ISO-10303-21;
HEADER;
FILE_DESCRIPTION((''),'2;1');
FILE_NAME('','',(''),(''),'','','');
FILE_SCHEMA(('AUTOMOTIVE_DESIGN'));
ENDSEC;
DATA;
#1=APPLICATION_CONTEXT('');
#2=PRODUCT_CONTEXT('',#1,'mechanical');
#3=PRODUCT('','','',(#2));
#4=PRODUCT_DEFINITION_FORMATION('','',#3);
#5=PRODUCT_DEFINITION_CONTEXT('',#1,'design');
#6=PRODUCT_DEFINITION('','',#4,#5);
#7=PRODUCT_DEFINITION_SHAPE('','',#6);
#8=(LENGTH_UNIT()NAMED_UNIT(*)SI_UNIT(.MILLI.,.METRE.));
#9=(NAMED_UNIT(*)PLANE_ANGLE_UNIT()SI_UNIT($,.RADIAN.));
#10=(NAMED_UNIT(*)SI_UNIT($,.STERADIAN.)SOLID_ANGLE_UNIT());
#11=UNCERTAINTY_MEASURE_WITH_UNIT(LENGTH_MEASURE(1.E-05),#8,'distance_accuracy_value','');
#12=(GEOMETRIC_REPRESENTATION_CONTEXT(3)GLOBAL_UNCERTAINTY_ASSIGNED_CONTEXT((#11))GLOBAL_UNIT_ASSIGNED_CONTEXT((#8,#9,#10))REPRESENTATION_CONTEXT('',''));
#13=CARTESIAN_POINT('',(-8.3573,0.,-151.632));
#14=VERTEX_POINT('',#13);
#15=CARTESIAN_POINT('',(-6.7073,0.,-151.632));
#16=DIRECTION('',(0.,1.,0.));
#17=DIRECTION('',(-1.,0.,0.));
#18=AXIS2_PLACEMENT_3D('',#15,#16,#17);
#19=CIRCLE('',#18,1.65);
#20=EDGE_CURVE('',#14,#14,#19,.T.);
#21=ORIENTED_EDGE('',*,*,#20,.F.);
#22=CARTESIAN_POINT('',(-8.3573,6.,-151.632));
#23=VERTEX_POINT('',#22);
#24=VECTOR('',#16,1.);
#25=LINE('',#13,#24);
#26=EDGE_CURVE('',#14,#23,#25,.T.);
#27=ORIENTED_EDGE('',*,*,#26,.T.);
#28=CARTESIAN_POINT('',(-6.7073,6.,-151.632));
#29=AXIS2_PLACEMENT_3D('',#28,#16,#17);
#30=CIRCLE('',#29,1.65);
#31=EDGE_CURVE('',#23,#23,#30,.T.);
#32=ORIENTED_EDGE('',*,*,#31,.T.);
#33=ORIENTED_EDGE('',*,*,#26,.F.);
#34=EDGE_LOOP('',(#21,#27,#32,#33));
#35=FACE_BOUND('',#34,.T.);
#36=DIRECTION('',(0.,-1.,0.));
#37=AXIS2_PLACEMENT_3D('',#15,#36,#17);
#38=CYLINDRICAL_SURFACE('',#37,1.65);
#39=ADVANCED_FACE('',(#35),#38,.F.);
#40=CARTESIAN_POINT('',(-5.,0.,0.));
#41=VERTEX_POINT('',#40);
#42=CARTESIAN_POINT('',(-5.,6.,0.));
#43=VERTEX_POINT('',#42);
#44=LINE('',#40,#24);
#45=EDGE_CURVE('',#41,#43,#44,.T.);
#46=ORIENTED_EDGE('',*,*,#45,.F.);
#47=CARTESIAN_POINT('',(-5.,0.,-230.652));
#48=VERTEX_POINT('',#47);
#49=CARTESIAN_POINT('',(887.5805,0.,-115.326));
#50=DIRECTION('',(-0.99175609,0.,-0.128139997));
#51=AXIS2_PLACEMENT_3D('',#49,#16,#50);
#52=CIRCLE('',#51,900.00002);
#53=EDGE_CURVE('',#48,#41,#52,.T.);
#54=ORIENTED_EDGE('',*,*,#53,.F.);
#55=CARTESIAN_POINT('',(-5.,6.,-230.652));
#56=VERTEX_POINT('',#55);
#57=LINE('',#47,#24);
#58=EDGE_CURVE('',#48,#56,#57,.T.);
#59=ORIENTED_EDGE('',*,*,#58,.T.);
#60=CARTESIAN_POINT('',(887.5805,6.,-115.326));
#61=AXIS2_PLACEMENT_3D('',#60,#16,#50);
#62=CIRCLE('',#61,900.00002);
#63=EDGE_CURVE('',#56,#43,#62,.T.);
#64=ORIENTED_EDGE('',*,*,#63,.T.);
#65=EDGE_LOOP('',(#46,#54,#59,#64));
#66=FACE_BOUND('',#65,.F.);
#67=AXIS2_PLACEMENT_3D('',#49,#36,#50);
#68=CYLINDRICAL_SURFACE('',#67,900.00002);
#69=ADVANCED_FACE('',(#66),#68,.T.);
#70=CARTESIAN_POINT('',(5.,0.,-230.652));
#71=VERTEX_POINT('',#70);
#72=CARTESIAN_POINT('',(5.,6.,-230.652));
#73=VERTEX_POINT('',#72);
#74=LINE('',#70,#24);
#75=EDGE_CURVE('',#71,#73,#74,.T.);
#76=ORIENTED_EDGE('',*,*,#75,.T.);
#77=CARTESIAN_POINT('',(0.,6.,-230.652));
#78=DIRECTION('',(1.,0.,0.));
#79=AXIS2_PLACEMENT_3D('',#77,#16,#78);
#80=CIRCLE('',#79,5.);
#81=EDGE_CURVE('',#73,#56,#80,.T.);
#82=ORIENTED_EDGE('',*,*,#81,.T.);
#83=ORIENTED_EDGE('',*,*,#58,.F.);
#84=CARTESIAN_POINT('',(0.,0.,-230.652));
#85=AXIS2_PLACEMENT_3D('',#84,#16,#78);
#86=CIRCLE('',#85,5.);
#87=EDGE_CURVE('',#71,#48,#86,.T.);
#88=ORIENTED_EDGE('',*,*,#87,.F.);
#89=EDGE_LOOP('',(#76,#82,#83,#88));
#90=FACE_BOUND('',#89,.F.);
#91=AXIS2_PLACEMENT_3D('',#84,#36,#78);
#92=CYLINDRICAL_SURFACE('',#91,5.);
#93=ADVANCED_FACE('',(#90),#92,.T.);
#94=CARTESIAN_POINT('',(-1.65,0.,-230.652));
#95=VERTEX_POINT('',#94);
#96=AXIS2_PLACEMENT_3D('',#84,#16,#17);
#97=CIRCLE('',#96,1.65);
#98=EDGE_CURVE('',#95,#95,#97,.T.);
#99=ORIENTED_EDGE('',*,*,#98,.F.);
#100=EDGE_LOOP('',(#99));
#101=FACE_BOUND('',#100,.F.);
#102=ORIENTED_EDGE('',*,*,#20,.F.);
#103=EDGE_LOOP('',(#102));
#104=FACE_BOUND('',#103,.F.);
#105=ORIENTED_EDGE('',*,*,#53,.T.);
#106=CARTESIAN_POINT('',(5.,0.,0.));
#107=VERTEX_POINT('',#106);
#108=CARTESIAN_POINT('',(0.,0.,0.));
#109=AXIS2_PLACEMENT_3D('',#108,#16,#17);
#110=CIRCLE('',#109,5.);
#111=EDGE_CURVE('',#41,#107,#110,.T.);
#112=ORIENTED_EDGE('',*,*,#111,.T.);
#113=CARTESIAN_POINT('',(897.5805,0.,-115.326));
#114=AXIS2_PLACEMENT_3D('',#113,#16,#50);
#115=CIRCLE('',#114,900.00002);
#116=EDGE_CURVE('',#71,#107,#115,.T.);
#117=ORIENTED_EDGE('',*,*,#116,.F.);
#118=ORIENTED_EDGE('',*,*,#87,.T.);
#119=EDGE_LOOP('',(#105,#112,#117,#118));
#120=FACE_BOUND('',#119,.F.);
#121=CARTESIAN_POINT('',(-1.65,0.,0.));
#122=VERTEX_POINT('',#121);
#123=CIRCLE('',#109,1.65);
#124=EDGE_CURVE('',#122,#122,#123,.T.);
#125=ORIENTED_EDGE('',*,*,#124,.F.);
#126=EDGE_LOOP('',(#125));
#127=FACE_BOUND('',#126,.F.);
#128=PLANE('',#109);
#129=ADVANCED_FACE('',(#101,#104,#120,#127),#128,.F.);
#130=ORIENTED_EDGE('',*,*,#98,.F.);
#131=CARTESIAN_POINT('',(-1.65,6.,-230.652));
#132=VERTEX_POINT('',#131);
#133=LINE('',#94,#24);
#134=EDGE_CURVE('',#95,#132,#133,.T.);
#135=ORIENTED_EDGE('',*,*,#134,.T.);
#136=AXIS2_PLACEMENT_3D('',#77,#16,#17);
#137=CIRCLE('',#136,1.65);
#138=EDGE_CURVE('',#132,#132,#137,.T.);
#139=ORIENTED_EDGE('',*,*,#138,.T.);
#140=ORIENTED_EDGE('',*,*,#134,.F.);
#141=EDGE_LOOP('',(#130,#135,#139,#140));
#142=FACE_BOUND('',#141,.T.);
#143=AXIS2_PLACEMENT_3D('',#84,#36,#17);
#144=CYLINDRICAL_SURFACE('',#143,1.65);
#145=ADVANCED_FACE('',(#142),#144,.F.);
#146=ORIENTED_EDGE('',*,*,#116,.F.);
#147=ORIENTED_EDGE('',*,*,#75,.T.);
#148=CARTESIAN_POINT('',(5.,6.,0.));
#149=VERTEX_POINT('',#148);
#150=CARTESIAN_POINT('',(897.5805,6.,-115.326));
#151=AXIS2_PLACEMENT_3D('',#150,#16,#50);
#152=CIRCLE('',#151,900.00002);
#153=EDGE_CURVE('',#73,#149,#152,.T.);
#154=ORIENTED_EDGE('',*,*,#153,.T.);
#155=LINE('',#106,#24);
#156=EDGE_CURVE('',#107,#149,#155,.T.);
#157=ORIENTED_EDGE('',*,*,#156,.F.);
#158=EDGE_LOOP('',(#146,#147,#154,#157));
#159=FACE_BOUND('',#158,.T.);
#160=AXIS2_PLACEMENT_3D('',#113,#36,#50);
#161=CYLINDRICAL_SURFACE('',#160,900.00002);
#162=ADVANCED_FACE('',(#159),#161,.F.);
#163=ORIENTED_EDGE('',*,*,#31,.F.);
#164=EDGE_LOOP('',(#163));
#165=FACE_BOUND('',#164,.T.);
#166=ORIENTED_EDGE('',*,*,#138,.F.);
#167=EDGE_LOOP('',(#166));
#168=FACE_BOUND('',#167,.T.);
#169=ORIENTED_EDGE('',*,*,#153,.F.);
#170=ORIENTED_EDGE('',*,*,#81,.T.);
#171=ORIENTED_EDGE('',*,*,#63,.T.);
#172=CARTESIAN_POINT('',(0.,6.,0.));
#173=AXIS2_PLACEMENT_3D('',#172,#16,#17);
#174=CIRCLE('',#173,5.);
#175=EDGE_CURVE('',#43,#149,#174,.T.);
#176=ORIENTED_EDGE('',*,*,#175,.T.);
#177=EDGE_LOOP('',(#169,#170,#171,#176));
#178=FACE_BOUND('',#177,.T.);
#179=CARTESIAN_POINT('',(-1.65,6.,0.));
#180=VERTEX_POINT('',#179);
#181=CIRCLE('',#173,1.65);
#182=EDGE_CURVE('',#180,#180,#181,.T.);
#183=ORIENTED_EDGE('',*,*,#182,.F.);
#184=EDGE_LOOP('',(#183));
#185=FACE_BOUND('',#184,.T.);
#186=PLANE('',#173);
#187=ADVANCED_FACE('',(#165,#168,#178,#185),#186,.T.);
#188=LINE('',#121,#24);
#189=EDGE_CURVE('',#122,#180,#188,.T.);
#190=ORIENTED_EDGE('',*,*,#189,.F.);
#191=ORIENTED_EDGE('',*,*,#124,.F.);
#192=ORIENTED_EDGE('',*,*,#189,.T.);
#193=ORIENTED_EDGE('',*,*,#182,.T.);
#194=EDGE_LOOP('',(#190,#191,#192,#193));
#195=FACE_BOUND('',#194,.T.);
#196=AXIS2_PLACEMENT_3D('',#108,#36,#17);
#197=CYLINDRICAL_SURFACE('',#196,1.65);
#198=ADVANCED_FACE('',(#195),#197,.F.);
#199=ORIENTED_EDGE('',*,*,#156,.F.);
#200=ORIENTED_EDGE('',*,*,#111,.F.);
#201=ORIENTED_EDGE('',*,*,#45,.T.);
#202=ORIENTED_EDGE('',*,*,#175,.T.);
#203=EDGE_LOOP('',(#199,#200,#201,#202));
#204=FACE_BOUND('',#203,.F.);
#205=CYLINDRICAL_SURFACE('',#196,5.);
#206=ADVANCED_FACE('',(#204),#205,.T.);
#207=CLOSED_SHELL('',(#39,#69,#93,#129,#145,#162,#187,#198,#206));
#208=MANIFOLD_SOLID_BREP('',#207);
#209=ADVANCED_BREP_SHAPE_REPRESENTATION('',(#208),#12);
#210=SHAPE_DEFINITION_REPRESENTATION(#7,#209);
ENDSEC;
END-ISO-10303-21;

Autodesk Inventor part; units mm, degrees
ref_plane "YZ Plane" through (0, 0, 0) normal (1, 0, 0) x (0, 1, 0)
ref_plane "XZ Plane" through (0, 0, 0) normal (0, 1, 0) x (-1, 0, 0)
ref_plane "XY Plane" through (0, 0, 0) normal (0, 0, 1) x (1, 0, 0)
sketch "Sketch1" plane through (0, 0, 0) normal (0, 1, 0) x (-1, 0, 0)
  line L0 (0, 0) -> (0, -230.652) construction
  line L1 (5, 0) -> (5, -230.652)
  line L2 (-5, -230.652) -> (-5, 0)
  arc A0 (5, 0) -> (-5, 0) centre (0, 0) ccw
  arc A1 (-5, -230.652) -> (5, -230.652) centre (0, -230.652) ccw
  circle A2 centre (0, 0) radius 1.65
  circle A3 centre (0, -230.652) radius 1.65
  arc A4 (-5, -230.652) -> (-5, 0) centre (-897.5805, -115.326) ccw
  arc A5 (5, -230.652) -> (5, 0) centre (-887.5805, -115.326) ccw
  circle A6 centre (6.7073, -151.632) radius 1.65
  point P0 (0, -115.326)
  dimension "d0" = 3.3
  dimension "d1" = 3.3
  dimension "d2" = 10
  dimension "d3" = 230.652
  dimension "d14" = 900
  dimension "d15" = 900
  dimension "d16" = 3.3
  dimension "d17" = 79.02
extrude "Extrusion1" add sketch "Sketch1" along normal blind 6 contours A5 L1 | L1 A1 A4 A0
